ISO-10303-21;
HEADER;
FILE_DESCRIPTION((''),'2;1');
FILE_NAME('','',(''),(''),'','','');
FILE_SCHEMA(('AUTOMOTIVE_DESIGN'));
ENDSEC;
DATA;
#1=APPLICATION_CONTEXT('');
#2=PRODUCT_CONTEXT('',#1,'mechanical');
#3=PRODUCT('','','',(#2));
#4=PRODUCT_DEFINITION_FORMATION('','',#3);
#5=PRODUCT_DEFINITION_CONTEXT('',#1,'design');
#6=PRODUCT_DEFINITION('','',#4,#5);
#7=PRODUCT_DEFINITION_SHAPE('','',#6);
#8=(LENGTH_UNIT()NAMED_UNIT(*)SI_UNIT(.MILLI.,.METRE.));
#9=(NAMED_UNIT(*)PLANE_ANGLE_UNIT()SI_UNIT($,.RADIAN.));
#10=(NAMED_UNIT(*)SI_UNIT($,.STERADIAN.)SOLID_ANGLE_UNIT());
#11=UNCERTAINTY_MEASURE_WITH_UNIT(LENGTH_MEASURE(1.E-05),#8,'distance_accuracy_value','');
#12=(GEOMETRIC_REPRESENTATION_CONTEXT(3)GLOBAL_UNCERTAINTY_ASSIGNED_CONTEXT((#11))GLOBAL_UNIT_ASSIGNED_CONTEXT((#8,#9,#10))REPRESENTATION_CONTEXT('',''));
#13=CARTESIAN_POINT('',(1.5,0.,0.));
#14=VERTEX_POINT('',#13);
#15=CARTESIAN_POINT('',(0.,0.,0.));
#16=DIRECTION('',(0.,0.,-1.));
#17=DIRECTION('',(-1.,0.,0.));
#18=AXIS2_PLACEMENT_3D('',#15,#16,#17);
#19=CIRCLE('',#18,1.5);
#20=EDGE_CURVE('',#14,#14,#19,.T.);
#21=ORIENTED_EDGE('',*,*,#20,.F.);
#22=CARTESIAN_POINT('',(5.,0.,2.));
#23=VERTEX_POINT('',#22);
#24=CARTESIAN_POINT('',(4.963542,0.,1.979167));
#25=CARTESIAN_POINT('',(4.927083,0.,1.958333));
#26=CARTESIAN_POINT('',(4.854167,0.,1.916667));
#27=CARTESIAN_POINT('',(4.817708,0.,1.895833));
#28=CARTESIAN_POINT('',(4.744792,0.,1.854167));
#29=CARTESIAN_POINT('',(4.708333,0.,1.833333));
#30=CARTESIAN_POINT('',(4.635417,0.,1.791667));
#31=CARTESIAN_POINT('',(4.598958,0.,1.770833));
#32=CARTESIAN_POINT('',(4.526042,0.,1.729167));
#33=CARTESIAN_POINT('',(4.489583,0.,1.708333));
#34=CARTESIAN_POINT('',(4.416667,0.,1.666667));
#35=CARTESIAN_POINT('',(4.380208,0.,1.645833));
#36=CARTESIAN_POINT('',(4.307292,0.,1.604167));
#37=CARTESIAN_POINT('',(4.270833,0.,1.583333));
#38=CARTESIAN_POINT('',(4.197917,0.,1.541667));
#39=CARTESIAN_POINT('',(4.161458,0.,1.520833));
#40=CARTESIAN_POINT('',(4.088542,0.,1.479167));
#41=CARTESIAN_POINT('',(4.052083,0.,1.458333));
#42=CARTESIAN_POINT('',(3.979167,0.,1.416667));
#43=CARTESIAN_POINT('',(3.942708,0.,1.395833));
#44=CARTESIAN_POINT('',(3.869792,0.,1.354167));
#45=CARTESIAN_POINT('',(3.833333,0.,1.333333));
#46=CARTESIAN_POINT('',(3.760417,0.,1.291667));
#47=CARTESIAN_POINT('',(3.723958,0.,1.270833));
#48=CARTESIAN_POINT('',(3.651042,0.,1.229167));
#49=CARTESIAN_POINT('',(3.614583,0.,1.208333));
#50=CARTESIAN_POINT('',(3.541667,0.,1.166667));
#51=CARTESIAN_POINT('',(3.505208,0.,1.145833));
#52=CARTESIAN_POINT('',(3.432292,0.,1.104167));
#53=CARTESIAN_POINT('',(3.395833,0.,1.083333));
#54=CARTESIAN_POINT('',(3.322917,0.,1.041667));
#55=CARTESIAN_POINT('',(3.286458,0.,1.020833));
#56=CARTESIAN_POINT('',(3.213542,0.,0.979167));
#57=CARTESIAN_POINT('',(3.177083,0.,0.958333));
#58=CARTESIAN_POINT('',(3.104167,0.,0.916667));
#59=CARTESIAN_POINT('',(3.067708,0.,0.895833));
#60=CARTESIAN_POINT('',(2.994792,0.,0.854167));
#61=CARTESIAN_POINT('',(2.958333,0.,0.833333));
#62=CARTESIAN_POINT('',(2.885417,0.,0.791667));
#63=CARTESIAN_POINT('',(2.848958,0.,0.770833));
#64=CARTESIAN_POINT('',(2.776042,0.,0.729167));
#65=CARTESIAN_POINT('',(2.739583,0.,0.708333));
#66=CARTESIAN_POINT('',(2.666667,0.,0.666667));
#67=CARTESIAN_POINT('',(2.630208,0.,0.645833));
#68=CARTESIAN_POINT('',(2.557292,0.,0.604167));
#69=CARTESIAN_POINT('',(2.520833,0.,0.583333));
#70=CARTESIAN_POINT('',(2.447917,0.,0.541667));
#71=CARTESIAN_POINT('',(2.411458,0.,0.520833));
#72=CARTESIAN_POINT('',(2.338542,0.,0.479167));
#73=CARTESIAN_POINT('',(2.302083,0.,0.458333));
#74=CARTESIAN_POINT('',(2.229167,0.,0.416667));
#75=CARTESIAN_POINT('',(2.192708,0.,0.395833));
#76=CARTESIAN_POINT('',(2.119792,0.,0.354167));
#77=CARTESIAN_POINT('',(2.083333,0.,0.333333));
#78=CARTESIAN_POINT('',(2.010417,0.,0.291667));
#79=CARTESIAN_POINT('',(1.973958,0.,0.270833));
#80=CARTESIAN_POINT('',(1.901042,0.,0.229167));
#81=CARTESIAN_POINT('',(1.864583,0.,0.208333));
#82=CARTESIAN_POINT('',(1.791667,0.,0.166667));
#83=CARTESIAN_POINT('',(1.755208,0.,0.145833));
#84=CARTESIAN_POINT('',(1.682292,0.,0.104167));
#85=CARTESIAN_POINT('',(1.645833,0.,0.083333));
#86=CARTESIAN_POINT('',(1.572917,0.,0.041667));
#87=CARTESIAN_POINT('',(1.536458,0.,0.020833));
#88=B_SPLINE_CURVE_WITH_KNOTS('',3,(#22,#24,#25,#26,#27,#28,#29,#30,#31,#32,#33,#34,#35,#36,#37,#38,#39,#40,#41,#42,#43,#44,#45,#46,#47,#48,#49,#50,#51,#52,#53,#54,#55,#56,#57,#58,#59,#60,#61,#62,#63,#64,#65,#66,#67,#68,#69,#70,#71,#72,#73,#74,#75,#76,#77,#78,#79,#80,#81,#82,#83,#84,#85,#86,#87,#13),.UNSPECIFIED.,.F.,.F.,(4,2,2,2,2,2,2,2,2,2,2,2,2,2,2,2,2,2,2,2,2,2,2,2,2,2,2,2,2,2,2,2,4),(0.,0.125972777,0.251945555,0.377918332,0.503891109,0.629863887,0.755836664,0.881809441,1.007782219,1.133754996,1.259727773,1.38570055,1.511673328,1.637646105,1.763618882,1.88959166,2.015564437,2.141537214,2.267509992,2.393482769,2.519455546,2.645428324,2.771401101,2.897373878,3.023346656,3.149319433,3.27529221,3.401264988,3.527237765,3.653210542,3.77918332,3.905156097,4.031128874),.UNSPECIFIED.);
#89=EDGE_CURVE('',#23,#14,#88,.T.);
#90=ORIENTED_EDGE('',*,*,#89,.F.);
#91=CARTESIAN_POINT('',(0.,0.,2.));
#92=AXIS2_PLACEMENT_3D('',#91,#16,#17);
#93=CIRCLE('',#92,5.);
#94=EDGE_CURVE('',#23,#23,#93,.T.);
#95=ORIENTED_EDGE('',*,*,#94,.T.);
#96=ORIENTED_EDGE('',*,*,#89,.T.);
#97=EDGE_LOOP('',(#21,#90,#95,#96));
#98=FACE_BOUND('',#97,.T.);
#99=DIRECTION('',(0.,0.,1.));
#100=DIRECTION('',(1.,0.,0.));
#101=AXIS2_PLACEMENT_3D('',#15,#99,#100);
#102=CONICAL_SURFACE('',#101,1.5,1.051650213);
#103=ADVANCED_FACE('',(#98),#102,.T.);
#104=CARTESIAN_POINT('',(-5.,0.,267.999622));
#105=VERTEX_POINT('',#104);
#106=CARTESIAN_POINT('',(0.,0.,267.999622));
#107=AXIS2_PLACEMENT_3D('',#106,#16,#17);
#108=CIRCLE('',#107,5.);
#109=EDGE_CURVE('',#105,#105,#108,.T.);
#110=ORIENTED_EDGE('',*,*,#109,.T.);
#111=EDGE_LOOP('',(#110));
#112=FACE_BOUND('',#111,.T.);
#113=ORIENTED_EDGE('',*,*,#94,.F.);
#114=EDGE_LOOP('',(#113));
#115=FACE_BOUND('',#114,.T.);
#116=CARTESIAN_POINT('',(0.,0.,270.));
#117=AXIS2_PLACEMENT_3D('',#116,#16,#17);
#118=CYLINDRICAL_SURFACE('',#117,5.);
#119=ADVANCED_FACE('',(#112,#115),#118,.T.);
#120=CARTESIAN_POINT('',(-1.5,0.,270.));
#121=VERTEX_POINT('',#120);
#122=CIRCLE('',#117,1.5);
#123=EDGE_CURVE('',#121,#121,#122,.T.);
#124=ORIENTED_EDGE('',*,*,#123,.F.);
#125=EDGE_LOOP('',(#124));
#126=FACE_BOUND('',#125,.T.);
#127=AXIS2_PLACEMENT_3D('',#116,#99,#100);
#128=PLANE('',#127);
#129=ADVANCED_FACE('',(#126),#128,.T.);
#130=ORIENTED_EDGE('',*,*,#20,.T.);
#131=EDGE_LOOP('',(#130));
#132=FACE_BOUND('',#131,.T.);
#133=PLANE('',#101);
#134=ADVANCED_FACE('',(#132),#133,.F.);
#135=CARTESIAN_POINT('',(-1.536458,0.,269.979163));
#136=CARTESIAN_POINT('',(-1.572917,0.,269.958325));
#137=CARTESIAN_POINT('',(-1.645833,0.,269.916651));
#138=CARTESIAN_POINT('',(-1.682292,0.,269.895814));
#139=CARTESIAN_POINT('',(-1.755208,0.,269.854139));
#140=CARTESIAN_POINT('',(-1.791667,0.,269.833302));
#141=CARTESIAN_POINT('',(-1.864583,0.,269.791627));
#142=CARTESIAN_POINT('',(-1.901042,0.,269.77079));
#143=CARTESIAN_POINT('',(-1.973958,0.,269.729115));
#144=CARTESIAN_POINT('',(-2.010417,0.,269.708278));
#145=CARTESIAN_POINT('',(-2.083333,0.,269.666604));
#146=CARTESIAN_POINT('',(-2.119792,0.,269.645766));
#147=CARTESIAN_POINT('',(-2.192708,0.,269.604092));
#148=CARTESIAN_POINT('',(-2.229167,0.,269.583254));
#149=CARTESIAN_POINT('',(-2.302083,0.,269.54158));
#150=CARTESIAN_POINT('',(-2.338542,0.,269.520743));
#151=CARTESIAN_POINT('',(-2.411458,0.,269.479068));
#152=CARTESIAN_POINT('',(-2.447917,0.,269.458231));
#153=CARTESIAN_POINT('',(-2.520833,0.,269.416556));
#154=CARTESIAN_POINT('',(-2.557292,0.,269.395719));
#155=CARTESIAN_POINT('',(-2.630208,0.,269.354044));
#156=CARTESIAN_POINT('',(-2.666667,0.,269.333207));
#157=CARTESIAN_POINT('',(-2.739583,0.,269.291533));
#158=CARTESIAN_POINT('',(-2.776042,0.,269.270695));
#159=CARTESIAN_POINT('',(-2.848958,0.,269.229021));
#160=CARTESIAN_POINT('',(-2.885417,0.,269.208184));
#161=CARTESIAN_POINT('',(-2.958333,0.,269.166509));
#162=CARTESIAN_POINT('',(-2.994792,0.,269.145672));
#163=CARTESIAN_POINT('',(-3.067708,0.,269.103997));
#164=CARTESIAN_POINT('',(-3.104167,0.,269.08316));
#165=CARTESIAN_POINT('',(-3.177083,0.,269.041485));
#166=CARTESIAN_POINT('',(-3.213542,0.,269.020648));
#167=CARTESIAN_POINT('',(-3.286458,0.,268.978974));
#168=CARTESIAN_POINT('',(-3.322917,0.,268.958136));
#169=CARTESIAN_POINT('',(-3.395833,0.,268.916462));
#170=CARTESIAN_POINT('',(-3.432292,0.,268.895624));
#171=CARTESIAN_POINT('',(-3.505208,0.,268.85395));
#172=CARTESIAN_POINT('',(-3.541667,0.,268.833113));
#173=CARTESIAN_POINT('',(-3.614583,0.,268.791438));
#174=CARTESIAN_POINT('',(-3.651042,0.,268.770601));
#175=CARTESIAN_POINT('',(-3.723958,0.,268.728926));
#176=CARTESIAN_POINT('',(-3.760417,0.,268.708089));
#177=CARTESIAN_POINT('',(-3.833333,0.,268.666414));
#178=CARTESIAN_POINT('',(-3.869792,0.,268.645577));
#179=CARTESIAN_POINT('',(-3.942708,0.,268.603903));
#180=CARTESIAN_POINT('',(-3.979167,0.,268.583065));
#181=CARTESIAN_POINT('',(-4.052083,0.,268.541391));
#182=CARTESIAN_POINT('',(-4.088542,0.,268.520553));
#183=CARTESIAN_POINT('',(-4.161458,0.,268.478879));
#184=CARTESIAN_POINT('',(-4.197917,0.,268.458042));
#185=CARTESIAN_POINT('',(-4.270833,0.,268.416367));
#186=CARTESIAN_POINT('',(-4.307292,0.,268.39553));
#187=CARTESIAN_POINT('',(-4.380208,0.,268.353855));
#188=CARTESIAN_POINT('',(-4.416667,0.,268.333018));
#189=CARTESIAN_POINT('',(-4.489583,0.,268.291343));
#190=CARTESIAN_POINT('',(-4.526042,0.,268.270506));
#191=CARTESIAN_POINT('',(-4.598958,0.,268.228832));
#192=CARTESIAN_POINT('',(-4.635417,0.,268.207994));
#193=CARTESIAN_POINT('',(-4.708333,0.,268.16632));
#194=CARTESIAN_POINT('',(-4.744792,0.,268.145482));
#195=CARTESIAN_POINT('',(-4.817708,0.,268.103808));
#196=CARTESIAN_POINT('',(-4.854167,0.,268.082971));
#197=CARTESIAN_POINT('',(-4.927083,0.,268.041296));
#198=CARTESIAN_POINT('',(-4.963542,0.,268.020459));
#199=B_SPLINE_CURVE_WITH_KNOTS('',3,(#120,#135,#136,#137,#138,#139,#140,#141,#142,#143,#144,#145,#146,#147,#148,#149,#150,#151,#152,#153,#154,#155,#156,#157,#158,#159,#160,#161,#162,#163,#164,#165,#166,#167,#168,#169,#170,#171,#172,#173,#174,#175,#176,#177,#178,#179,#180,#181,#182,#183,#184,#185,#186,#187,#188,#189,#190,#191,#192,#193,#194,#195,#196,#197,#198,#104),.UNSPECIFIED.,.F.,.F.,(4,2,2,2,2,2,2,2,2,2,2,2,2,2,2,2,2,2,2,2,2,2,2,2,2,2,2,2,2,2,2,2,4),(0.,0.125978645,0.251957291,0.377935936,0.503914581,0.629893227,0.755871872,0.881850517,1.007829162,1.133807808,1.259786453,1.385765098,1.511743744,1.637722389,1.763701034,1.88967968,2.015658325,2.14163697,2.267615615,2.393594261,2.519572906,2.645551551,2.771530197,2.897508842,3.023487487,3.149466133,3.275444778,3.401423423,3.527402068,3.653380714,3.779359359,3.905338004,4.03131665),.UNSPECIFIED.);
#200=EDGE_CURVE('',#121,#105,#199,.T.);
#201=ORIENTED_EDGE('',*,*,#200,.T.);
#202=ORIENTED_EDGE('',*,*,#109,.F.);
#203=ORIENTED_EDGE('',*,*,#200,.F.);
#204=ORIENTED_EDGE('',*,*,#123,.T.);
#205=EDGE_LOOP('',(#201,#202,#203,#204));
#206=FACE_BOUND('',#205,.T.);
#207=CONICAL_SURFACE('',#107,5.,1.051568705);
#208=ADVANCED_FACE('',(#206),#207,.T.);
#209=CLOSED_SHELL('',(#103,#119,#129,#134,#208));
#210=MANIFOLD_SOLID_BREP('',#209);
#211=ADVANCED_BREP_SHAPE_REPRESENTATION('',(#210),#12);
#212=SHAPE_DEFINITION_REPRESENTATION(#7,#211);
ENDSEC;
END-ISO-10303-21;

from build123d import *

# Parameters (mm, degrees)
CROQUIS1_R              = 5
SALIENTE_EXTRUIR1_DEPTH = 270


with BuildPart() as part:
    # Croquis1 → Saliente-Extruir1 (new body)
    with BuildSketch(Plane.XY):
        Circle(CROQUIS1_R)
    extrude(amount=SALIENTE_EXTRUIR1_DEPTH)

    # Cortar-Barrer1: sweep along a curve in space
    with BuildLine() as cortar_barrer1_path:
        ThreePointArc((5, 0, 270), (3.535533906, 3.535533906, 270), (0, 5, 270))
        ThreePointArc((0, 5, 270), (-3.535533906, 3.535533906, 270), (-5, 0, 270))
        ThreePointArc((-5, 0, 270), (-3.535533906, -3.535533906, 270), (0, -5, 270))
        ThreePointArc((0, -5, 270), (3.535533906, -3.535533906, 270), (5, 0, 270))
    # Croquis3 → Cortar-Barrer1 (sweep, cut)
    with BuildSketch(Plane(origin=(0, 0, 0), x_dir=(1, 0, 0), z_dir=(0, 1, 0))):
        Polygon((1.5, -270), (5, -267.999621553), (5, -270), align=None)
    sweep(path=cortar_barrer1_path.line, mode=Mode.SUBTRACT)

    # Cortar-Barrer2: sweep along a curve in space
    with BuildLine() as cortar_barrer2_path:
        ThreePointArc((5, 0, 0), (3.535533906, 3.535533906, 0), (0, 5, 0))
        ThreePointArc((0, 5, 0), (-3.535533906, 3.535533906, 0), (-5, 0, 0))
        ThreePointArc((-5, 0, 0), (-3.535533906, -3.535533906, 0), (0, -5, 0))
        ThreePointArc((0, -5, 0), (3.535533906, -3.535533906, 0), (5, 0, 0))
    # Croquis4 → Cortar-Barrer2 (sweep, cut)
    with BuildSketch(Plane(origin=(0, 0, 0), x_dir=(1, 0, 0), z_dir=(0, 1, 0))):
        Polygon((5, 0), (5, -2), (1.5, 0), align=None)
    sweep(path=cortar_barrer2_path.line, mode=Mode.SUBTRACT)


solid = part.part
